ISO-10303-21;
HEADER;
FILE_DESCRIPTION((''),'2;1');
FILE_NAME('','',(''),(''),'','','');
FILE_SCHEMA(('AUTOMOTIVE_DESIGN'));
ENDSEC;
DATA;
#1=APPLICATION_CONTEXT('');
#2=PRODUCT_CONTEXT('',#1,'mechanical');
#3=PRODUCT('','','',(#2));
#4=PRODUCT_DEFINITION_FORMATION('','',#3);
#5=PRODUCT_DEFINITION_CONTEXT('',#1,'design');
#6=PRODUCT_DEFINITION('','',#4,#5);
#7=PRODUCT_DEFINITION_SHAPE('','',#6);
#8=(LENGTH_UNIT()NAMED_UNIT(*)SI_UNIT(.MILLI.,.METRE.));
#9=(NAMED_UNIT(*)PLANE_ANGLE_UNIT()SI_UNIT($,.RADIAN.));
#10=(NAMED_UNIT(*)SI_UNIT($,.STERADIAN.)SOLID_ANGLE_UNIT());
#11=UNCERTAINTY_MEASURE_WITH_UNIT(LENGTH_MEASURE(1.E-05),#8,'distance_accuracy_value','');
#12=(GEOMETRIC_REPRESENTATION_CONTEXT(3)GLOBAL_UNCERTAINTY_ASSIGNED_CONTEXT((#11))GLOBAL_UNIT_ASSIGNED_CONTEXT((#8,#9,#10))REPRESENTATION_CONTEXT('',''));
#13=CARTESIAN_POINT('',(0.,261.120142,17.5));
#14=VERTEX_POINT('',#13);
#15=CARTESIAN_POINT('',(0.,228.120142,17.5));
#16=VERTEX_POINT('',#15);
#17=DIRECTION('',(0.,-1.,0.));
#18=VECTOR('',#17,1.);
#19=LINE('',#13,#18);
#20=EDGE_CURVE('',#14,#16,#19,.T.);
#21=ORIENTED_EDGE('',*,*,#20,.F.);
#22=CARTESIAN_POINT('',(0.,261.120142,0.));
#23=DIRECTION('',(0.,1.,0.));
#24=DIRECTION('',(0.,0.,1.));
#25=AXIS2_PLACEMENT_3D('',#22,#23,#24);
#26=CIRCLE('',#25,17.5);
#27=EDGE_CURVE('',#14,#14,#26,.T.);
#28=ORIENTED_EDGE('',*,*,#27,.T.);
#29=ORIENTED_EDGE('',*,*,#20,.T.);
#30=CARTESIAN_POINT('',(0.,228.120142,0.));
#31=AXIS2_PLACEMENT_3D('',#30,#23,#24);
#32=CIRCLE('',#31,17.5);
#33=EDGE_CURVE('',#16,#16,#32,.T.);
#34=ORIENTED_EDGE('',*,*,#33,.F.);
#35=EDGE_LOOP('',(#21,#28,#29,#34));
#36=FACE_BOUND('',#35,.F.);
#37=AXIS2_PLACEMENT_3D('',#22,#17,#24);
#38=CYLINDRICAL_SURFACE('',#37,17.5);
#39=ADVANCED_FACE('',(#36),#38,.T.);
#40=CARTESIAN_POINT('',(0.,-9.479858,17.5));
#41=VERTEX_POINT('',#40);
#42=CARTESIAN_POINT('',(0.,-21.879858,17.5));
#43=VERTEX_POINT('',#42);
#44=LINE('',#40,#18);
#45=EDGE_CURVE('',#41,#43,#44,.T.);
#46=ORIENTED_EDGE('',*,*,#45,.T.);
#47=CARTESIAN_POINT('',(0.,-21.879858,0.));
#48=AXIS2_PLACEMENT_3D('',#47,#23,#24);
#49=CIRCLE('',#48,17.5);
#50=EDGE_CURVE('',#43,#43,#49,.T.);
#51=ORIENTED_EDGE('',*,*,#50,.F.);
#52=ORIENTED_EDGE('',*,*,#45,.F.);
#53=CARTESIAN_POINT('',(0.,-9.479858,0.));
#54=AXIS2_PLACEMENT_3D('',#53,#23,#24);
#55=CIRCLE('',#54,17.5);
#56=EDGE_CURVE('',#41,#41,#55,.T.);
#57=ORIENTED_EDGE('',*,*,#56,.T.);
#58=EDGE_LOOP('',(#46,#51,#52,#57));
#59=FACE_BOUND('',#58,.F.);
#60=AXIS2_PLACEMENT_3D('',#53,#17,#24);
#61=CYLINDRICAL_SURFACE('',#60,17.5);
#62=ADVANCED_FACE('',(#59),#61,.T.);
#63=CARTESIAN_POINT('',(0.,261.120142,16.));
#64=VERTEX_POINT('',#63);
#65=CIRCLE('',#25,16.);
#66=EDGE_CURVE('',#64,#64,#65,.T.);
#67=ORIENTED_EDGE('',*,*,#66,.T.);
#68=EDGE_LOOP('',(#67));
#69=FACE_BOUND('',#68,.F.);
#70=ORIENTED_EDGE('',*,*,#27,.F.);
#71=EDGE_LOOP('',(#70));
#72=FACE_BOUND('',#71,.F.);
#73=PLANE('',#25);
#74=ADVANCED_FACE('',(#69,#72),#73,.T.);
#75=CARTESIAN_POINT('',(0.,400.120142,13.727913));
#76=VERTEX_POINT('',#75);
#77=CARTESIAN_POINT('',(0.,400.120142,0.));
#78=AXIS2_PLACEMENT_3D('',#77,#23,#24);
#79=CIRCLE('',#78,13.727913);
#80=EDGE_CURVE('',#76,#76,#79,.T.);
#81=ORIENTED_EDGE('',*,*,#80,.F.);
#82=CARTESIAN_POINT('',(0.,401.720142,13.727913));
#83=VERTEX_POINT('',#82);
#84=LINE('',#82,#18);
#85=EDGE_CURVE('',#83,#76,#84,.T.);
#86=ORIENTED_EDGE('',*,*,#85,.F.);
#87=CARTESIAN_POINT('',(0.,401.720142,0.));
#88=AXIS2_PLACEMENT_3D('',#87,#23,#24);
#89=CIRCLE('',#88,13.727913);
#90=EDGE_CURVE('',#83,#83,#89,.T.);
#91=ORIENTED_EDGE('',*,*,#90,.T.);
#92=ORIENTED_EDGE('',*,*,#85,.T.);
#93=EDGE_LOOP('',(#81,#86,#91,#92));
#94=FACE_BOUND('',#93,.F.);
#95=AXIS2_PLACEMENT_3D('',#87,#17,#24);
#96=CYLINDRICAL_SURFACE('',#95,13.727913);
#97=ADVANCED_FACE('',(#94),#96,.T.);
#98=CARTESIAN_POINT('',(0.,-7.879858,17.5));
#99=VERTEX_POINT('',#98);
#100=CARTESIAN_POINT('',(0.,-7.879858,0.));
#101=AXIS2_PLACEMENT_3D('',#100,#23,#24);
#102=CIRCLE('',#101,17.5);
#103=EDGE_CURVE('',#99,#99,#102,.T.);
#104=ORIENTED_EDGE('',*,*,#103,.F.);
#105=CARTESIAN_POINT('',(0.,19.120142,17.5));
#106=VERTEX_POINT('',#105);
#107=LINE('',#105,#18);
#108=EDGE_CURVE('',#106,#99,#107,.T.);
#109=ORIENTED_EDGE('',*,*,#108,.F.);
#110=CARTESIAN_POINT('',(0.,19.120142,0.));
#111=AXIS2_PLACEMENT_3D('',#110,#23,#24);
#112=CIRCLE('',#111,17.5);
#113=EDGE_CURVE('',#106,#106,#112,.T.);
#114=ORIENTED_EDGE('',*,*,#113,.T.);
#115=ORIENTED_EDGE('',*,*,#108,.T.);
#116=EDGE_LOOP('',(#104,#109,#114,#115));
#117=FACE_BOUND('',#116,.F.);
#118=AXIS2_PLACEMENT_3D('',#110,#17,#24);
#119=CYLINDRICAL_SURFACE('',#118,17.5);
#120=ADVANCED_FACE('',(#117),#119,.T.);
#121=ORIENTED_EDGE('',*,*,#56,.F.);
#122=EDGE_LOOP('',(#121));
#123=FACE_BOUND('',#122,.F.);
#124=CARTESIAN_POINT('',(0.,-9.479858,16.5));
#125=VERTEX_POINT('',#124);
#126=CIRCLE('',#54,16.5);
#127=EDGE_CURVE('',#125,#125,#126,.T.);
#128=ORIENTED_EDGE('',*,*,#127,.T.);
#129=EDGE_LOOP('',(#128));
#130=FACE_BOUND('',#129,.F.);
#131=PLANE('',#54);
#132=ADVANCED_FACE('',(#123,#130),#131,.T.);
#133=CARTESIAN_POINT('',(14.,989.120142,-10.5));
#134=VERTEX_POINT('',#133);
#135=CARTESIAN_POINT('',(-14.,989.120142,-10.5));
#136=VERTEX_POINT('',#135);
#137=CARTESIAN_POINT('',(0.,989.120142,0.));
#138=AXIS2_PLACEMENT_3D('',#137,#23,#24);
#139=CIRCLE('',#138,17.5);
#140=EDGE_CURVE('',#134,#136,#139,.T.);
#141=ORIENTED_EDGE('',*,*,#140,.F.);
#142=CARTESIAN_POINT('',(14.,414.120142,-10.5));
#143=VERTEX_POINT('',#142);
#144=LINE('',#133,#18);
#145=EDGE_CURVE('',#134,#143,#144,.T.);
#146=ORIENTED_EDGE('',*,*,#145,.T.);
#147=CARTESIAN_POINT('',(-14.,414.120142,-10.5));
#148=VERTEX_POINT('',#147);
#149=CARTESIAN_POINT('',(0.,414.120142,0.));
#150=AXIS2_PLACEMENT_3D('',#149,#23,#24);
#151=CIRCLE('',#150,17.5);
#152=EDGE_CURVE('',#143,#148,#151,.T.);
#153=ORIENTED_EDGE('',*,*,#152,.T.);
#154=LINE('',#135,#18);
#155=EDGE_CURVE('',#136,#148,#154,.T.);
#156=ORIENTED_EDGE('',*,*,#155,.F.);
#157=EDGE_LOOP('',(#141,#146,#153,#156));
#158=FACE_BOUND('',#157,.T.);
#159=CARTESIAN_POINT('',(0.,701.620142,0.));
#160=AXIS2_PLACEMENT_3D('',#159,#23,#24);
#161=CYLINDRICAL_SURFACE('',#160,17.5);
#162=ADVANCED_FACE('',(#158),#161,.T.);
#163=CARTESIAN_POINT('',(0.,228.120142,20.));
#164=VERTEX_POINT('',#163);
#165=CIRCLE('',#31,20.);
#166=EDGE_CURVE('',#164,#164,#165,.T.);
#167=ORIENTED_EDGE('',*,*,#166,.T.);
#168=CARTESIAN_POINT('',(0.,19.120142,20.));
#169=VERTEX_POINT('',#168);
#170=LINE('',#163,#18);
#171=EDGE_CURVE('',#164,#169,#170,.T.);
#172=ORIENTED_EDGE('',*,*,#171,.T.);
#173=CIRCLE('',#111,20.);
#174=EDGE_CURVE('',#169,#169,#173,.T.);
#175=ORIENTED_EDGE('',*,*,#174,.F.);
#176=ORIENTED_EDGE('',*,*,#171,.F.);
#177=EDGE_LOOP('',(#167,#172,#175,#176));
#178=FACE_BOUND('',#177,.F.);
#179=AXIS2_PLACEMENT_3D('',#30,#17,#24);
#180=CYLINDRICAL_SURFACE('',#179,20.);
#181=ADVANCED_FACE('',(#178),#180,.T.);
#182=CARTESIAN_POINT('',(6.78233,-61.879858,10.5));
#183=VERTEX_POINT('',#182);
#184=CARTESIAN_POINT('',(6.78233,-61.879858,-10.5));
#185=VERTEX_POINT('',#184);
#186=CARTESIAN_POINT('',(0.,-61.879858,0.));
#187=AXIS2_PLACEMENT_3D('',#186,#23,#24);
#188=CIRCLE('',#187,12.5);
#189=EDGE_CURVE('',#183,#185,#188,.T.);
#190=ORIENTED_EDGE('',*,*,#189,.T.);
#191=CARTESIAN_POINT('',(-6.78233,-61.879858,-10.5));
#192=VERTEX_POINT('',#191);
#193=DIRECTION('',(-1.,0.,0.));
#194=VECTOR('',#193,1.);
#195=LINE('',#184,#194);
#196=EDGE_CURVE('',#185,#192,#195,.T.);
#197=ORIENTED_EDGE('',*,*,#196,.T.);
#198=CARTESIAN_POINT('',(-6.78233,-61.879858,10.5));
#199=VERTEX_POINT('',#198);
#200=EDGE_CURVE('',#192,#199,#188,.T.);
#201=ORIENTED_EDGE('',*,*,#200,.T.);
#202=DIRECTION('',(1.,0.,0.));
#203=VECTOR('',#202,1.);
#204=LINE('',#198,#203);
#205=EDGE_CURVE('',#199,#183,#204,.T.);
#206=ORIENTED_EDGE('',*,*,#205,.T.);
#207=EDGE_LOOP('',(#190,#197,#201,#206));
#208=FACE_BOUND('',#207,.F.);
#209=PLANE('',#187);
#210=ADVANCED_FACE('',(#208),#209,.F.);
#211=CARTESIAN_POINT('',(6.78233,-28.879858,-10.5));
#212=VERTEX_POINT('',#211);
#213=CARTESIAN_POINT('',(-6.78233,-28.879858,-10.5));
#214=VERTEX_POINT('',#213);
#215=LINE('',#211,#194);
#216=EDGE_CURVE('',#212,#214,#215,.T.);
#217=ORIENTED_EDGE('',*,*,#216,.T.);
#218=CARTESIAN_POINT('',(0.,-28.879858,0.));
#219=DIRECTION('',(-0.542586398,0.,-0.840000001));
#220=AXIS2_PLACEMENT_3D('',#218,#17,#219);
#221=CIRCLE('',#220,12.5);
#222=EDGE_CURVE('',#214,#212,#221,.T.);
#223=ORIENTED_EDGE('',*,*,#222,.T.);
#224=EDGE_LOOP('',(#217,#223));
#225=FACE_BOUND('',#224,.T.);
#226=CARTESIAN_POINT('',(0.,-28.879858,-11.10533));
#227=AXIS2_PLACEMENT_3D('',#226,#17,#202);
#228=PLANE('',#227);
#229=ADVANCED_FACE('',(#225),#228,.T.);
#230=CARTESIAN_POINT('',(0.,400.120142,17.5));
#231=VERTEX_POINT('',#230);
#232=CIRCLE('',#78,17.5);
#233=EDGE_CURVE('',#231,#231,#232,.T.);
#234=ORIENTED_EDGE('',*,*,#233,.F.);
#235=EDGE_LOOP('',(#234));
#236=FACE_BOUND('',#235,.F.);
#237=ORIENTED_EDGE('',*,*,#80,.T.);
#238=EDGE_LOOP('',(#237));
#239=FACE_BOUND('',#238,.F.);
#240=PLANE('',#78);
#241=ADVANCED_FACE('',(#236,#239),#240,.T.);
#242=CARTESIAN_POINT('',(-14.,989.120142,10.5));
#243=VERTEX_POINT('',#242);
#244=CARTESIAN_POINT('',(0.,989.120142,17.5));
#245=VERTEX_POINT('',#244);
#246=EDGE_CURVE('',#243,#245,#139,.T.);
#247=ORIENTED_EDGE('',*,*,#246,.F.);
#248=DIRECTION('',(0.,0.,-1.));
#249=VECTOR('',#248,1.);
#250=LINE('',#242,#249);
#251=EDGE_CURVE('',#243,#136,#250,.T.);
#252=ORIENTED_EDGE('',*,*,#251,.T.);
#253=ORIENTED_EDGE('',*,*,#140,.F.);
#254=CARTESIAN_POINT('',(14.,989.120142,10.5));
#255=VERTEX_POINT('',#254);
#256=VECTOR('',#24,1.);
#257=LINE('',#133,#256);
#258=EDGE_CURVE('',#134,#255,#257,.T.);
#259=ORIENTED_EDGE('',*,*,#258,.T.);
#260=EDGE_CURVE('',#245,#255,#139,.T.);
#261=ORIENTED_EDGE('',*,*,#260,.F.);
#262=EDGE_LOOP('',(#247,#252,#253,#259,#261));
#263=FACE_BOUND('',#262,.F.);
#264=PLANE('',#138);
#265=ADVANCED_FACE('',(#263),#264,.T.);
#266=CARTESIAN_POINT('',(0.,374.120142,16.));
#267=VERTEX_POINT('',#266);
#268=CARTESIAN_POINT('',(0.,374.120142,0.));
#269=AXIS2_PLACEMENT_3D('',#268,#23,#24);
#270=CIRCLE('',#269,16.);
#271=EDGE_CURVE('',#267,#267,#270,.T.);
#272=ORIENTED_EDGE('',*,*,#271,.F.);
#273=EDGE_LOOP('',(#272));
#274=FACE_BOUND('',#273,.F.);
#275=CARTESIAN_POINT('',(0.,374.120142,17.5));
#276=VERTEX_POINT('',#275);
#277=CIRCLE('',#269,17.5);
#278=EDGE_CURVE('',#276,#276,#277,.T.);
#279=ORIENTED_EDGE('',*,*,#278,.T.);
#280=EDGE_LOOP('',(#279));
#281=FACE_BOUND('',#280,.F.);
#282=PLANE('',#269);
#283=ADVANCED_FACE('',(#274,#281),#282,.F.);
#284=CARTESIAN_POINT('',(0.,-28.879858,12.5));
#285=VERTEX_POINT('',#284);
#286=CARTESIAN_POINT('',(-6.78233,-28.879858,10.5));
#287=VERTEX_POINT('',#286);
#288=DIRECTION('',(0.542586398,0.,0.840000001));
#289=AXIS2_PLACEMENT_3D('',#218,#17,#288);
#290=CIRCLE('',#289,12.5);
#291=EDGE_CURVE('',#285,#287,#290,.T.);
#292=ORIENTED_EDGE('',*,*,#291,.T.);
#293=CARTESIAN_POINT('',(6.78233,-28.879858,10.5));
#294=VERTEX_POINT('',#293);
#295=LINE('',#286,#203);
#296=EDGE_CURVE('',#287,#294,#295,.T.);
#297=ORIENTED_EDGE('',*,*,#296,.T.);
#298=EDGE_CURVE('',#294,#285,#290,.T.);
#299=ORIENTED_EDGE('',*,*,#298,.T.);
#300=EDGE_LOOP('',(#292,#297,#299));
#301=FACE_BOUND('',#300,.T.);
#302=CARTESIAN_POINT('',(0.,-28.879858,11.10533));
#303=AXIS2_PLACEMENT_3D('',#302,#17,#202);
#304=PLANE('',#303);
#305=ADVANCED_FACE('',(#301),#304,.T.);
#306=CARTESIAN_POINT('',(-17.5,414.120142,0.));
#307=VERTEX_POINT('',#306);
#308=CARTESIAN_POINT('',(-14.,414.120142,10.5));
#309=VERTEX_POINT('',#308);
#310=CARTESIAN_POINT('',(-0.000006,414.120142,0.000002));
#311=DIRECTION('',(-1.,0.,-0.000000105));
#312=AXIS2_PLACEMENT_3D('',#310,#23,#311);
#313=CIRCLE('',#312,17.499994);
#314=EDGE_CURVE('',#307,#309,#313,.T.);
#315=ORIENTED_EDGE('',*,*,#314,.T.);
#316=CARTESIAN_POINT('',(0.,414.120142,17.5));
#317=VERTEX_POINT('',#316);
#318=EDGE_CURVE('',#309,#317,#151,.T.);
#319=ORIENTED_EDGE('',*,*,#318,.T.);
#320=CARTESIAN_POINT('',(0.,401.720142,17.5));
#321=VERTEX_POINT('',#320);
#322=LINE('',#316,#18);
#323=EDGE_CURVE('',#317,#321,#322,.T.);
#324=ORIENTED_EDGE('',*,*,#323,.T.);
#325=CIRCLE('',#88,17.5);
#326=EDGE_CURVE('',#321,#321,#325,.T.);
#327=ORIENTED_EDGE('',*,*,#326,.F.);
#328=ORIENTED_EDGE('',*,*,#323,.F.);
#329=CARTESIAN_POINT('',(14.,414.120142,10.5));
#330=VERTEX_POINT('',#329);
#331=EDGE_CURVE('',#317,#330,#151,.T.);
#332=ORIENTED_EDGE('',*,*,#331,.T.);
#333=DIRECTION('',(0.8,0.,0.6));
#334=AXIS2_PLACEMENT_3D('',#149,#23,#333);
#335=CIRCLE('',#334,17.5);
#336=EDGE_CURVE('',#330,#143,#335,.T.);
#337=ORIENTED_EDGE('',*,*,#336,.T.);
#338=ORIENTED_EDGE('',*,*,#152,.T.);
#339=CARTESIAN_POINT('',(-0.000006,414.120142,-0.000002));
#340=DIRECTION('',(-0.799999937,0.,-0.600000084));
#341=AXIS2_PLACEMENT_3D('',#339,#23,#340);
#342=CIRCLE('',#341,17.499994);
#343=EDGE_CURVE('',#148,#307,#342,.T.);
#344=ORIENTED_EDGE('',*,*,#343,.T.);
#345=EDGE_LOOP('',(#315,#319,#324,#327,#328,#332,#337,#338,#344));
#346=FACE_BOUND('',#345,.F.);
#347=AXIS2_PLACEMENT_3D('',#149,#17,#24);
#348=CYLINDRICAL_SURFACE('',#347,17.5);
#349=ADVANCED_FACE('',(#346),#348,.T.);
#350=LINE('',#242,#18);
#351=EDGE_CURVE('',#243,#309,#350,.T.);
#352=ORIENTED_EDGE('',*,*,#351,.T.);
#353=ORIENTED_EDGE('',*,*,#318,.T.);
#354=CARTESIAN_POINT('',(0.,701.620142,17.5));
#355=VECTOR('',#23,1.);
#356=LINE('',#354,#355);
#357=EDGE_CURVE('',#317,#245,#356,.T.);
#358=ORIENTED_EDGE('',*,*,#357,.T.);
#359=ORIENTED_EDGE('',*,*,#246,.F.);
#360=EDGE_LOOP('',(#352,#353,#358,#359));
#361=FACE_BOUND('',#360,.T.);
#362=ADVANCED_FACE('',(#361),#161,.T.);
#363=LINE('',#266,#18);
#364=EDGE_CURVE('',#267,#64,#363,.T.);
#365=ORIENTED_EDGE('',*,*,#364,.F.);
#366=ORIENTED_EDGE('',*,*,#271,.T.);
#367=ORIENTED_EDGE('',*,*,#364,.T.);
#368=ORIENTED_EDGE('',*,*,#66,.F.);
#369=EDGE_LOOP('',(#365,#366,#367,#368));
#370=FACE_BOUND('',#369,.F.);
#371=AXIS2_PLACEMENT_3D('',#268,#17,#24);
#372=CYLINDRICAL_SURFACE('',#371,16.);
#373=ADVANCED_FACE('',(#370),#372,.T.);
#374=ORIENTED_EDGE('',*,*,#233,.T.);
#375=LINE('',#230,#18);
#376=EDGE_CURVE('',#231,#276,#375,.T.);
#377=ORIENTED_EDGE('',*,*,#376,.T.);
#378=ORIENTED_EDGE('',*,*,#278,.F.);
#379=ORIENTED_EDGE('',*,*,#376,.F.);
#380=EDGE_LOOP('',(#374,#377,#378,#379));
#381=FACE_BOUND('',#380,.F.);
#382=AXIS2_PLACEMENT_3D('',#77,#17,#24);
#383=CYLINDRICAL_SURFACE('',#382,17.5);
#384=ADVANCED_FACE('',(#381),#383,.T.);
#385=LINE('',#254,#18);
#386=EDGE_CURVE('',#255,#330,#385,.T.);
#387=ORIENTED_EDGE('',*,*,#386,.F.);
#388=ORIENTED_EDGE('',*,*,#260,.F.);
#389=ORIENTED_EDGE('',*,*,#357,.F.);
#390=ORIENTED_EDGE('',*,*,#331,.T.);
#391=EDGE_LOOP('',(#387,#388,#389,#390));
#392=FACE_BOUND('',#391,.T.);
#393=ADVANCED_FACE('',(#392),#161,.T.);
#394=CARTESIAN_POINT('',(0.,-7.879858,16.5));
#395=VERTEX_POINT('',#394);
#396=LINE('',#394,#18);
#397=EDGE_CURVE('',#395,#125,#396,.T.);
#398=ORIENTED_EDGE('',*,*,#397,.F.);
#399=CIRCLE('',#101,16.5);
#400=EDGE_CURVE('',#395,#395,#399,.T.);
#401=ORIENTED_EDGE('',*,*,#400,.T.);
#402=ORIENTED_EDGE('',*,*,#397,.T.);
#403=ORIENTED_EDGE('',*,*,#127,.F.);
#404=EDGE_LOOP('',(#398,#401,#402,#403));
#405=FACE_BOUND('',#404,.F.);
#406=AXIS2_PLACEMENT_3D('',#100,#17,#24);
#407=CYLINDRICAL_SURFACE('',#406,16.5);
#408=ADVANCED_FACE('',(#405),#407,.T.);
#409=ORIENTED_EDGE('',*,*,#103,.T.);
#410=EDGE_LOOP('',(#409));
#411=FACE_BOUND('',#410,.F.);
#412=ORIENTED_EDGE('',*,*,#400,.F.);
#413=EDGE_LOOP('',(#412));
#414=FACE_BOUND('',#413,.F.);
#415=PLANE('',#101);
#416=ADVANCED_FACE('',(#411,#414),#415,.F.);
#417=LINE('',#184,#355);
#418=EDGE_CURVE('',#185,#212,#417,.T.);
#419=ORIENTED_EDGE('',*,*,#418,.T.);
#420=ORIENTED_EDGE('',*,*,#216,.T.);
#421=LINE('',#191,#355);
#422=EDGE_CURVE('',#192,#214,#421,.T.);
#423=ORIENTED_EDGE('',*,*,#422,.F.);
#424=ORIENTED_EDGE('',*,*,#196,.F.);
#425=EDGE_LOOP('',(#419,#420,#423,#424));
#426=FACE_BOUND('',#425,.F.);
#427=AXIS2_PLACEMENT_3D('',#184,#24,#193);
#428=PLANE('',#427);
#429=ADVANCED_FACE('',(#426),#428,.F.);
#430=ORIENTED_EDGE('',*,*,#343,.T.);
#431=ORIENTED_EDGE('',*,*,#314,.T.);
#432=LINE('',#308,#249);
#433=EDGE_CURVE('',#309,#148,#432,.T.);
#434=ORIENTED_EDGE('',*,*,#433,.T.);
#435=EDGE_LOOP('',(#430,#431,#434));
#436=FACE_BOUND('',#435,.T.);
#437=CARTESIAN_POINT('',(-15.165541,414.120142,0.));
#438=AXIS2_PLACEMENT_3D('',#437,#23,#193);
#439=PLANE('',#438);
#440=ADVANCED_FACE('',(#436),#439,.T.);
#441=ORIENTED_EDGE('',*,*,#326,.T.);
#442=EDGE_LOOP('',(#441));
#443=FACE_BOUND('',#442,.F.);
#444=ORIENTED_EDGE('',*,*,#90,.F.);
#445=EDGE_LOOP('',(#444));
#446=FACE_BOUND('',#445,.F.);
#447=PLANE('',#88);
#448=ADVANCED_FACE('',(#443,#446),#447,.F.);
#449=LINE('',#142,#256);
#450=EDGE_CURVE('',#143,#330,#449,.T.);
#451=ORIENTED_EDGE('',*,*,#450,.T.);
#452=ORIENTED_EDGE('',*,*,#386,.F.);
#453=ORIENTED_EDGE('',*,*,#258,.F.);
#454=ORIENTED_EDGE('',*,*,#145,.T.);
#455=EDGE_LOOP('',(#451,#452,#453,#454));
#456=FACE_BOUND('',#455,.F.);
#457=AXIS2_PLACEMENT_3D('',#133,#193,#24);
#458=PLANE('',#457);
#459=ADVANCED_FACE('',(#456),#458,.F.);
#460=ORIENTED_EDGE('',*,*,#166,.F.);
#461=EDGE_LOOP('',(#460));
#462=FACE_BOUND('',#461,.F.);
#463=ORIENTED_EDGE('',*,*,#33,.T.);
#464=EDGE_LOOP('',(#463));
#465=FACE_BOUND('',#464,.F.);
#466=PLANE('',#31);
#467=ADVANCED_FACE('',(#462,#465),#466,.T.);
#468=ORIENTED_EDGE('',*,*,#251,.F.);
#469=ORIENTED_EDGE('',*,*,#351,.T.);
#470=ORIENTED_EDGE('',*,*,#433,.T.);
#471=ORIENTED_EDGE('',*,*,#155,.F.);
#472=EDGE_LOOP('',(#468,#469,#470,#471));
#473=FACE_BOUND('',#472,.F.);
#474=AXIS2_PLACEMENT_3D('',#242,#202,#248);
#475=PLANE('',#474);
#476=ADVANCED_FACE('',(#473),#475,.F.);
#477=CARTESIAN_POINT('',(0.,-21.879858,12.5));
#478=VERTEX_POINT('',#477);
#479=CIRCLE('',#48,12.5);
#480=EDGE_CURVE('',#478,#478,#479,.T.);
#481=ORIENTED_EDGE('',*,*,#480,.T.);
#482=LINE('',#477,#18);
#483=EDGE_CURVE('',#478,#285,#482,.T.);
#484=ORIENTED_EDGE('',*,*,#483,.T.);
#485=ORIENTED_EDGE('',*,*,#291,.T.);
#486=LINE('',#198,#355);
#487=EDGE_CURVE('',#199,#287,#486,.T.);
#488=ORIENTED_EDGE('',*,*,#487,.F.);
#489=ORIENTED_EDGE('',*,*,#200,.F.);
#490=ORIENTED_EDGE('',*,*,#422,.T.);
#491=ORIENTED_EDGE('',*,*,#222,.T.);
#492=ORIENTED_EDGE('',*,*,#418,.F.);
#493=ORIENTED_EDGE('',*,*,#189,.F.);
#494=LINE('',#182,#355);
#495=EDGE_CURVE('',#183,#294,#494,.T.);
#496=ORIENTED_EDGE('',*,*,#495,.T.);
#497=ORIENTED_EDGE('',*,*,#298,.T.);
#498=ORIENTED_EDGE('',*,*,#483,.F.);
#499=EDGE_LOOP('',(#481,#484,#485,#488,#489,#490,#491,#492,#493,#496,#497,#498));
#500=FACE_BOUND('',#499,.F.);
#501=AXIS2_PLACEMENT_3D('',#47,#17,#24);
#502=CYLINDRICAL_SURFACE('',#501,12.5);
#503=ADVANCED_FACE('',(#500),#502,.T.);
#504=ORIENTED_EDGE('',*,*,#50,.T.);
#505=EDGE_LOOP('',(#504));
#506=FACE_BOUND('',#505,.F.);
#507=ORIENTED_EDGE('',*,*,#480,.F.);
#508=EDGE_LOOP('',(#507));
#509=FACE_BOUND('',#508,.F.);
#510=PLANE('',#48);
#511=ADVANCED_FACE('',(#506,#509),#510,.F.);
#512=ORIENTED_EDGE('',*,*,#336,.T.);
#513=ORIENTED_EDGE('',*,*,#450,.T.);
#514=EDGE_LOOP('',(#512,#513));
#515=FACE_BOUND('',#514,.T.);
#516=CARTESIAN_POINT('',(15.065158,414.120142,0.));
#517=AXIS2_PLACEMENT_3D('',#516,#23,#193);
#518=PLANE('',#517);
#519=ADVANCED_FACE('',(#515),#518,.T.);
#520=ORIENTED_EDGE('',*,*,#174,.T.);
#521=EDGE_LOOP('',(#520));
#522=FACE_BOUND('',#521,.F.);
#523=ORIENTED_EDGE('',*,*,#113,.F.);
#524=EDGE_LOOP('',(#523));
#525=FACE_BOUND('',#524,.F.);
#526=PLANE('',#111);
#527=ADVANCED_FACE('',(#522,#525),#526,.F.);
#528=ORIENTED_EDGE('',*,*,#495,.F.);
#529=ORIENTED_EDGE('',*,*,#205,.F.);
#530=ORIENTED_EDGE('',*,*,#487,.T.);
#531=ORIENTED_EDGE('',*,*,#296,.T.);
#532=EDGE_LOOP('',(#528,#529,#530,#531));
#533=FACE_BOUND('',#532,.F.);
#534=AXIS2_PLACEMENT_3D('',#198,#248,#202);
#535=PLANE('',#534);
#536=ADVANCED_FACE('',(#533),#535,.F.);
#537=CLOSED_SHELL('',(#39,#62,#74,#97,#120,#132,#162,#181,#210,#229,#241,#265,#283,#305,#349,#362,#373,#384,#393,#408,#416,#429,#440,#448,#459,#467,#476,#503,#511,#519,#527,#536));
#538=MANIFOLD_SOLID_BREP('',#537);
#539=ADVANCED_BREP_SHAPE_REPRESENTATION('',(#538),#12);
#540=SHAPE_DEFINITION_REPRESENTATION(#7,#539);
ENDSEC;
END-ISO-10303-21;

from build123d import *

# Parameters (mm, degrees)
F3_DEPTH = 33
F0_W     = 575
F0_H     = 17.5
F7_DEPTH = 575


with BuildPart() as f1:
    # F0 (on Right) → F1 (revolve)
    with BuildSketch(Plane.YZ):
        Polygon((-9.479858, 17.5), (-21.879858, 17.5), (-21.879858, 12.5), (-61.879858, 12.5), (-61.879858, 0), (-21.879858, 0), (19.120142, 0), (19.120142, 17.5), (-7.879858, 17.5), (-7.879858, 16.5), (-9.479858, 16.5), align=None)
    revolve(axis=Axis((0, 215.2909, 0), (0, 1, 0)))

    # F2 (on face) → F3 (cut)
    with BuildSketch(Plane.XZ.offset(61.879858)):
        with BuildLine():
            ThreePointArc((6.78233, 10.5), (0, 12.5), (-6.78233, 10.5))
            Line((-6.78233, 10.5), (6.78233, 10.5))
        make_face()
        with BuildLine():
            Line((6.78233, -10.5), (-6.78233, -10.5))
            ThreePointArc((-6.78233, -10.5), (0, -12.5), (6.78233, -10.5))
        make_face()
    extrude(amount=-F3_DEPTH, mode=Mode.SUBTRACT)

    # F0 (on Right) → F4 (revolve)
    with BuildSketch(Plane.YZ):
        Polygon((19.120142, 20), (19.120142, 17.5), (19.120142, 0), (414.120142, 0), (414.120142, 17.5), (401.720142, 17.5), (401.720142, 13.727913), (400.120142, 13.727913), (400.120142, 17.5), (374.120142, 17.5), (374.120142, 16), (261.120142, 16), (261.120142, 17.5), (228.120142, 17.5), (228.120142, 20), align=None)
    revolve(axis=Axis((0, 216.620142, 0), (0, 1, 0)))

    # F0 (on Right) → F5 (revolve)
    with BuildSketch(Plane.YZ):
        with Locations((701.620142, 8.75)):
            Rectangle(F0_W, F0_H)
    revolve(axis=Axis((0, 701.620142, 0), (0, 1, 0)))

    # F6 (on face) → F7 (cut)
    with BuildSketch(Plane(origin=(0, 989.120142, 0), x_dir=(-1, 0, 0), z_dir=(0, 1, 0))):
        with BuildLine():
            ThreePointArc((17.5, 0), (16.601958, 5.533986), (14, 10.5))
            Line((14, 10.5), (14, -10.5))
            ThreePointArc((14, -10.5), (16.601958, -5.533986), (17.5, 0))
        make_face()
        with BuildLine():
            Line((-14, -10.5), (-14, 10.5))
            ThreePointArc((-14, 10.5), (-17.5, 0), (-14, -10.5))
        make_face()
    extrude(amount=-F7_DEPTH, mode=Mode.SUBTRACT)


solid = f1.part
